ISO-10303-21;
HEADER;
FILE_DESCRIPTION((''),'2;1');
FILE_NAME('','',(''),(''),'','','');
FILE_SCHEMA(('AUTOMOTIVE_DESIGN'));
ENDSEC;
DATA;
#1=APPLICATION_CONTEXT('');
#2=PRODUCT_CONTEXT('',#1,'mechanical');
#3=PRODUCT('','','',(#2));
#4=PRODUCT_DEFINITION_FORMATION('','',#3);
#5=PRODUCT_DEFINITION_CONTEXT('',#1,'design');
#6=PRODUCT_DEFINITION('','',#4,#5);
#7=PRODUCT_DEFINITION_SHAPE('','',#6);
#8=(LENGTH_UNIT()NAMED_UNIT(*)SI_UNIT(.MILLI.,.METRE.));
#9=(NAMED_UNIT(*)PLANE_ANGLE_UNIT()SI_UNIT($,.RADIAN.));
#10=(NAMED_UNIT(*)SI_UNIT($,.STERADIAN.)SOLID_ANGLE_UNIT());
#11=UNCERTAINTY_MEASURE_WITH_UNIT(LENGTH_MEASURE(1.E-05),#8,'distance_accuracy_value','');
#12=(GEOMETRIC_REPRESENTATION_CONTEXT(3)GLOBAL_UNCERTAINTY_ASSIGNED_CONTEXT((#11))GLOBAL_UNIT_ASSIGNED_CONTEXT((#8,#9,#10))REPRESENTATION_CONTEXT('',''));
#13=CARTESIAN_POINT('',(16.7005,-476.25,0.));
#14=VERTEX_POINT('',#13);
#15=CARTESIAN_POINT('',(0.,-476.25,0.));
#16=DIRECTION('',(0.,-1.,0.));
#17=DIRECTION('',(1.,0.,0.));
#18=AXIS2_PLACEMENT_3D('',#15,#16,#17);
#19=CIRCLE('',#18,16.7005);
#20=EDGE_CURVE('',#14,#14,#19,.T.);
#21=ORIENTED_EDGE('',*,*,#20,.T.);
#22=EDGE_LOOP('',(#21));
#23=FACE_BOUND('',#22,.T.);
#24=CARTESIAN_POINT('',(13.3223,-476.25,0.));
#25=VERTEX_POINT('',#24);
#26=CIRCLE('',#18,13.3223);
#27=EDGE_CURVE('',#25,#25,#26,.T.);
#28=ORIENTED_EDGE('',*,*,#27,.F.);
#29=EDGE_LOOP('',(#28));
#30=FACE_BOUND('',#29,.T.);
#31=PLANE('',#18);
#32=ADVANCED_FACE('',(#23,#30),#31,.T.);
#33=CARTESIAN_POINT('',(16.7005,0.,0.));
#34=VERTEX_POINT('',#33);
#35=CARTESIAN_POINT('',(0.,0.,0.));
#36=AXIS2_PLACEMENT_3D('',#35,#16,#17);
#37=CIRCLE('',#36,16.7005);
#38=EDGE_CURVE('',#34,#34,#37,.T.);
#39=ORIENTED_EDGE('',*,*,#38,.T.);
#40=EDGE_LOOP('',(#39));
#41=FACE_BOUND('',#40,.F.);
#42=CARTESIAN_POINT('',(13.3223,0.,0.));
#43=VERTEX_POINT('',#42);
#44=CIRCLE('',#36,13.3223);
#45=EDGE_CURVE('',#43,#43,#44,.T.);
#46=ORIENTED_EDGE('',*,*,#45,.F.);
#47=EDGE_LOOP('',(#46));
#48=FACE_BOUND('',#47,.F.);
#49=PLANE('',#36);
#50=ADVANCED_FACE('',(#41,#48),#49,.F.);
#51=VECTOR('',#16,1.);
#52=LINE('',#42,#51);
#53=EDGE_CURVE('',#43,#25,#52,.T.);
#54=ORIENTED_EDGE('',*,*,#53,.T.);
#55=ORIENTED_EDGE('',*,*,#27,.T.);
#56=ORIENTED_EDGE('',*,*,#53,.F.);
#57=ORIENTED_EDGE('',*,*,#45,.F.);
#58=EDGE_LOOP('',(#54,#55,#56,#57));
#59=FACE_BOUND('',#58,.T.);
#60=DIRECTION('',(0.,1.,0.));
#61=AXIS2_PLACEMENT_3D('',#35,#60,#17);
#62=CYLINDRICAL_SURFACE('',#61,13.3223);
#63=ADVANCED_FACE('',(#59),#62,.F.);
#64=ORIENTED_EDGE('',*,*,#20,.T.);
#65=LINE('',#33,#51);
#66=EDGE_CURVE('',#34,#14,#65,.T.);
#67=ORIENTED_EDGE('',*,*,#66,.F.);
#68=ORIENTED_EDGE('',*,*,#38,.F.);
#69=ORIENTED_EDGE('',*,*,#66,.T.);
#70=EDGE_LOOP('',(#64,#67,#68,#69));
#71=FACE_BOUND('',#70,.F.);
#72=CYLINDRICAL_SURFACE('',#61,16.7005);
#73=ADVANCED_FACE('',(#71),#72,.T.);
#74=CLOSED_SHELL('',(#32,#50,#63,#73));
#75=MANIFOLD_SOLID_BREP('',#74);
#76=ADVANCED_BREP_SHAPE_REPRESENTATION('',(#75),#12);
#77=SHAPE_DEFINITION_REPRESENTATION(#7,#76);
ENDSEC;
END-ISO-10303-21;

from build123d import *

# Parameters (mm, degrees)
CYLINDER_R          = 16.7005
CYLINDER_DEPTH      = 476.25
CYLINDER_ROLL_ANGLE = 90
THICKNESS001_T      = -3.3782


with BuildPart() as part:
    # Cylinder → Cylinder (new body)
    with BuildSketch(Plane.XY):
        Circle(CYLINDER_R)
    extrude(amount=CYLINDER_DEPTH)


with BuildPart() as part_1:
    # Cylinder roll: moved
    add(part.part.rotate(Axis((0, 0, 0), (1, 0, 0)), CYLINDER_ROLL_ANGLE))


with BuildPart() as part_2:
    # Cylinder placement: moved
    add(part_1.part)

    # Thickness001
    thickness001_openings = [part_2.faces().sort_by_distance(p)[0] for p in [
        (0, 0, 0),
        (0, -476.25, 0),
    ]]
    offset(amount=THICKNESS001_T, openings=thickness001_openings)


solid = part_2.part
